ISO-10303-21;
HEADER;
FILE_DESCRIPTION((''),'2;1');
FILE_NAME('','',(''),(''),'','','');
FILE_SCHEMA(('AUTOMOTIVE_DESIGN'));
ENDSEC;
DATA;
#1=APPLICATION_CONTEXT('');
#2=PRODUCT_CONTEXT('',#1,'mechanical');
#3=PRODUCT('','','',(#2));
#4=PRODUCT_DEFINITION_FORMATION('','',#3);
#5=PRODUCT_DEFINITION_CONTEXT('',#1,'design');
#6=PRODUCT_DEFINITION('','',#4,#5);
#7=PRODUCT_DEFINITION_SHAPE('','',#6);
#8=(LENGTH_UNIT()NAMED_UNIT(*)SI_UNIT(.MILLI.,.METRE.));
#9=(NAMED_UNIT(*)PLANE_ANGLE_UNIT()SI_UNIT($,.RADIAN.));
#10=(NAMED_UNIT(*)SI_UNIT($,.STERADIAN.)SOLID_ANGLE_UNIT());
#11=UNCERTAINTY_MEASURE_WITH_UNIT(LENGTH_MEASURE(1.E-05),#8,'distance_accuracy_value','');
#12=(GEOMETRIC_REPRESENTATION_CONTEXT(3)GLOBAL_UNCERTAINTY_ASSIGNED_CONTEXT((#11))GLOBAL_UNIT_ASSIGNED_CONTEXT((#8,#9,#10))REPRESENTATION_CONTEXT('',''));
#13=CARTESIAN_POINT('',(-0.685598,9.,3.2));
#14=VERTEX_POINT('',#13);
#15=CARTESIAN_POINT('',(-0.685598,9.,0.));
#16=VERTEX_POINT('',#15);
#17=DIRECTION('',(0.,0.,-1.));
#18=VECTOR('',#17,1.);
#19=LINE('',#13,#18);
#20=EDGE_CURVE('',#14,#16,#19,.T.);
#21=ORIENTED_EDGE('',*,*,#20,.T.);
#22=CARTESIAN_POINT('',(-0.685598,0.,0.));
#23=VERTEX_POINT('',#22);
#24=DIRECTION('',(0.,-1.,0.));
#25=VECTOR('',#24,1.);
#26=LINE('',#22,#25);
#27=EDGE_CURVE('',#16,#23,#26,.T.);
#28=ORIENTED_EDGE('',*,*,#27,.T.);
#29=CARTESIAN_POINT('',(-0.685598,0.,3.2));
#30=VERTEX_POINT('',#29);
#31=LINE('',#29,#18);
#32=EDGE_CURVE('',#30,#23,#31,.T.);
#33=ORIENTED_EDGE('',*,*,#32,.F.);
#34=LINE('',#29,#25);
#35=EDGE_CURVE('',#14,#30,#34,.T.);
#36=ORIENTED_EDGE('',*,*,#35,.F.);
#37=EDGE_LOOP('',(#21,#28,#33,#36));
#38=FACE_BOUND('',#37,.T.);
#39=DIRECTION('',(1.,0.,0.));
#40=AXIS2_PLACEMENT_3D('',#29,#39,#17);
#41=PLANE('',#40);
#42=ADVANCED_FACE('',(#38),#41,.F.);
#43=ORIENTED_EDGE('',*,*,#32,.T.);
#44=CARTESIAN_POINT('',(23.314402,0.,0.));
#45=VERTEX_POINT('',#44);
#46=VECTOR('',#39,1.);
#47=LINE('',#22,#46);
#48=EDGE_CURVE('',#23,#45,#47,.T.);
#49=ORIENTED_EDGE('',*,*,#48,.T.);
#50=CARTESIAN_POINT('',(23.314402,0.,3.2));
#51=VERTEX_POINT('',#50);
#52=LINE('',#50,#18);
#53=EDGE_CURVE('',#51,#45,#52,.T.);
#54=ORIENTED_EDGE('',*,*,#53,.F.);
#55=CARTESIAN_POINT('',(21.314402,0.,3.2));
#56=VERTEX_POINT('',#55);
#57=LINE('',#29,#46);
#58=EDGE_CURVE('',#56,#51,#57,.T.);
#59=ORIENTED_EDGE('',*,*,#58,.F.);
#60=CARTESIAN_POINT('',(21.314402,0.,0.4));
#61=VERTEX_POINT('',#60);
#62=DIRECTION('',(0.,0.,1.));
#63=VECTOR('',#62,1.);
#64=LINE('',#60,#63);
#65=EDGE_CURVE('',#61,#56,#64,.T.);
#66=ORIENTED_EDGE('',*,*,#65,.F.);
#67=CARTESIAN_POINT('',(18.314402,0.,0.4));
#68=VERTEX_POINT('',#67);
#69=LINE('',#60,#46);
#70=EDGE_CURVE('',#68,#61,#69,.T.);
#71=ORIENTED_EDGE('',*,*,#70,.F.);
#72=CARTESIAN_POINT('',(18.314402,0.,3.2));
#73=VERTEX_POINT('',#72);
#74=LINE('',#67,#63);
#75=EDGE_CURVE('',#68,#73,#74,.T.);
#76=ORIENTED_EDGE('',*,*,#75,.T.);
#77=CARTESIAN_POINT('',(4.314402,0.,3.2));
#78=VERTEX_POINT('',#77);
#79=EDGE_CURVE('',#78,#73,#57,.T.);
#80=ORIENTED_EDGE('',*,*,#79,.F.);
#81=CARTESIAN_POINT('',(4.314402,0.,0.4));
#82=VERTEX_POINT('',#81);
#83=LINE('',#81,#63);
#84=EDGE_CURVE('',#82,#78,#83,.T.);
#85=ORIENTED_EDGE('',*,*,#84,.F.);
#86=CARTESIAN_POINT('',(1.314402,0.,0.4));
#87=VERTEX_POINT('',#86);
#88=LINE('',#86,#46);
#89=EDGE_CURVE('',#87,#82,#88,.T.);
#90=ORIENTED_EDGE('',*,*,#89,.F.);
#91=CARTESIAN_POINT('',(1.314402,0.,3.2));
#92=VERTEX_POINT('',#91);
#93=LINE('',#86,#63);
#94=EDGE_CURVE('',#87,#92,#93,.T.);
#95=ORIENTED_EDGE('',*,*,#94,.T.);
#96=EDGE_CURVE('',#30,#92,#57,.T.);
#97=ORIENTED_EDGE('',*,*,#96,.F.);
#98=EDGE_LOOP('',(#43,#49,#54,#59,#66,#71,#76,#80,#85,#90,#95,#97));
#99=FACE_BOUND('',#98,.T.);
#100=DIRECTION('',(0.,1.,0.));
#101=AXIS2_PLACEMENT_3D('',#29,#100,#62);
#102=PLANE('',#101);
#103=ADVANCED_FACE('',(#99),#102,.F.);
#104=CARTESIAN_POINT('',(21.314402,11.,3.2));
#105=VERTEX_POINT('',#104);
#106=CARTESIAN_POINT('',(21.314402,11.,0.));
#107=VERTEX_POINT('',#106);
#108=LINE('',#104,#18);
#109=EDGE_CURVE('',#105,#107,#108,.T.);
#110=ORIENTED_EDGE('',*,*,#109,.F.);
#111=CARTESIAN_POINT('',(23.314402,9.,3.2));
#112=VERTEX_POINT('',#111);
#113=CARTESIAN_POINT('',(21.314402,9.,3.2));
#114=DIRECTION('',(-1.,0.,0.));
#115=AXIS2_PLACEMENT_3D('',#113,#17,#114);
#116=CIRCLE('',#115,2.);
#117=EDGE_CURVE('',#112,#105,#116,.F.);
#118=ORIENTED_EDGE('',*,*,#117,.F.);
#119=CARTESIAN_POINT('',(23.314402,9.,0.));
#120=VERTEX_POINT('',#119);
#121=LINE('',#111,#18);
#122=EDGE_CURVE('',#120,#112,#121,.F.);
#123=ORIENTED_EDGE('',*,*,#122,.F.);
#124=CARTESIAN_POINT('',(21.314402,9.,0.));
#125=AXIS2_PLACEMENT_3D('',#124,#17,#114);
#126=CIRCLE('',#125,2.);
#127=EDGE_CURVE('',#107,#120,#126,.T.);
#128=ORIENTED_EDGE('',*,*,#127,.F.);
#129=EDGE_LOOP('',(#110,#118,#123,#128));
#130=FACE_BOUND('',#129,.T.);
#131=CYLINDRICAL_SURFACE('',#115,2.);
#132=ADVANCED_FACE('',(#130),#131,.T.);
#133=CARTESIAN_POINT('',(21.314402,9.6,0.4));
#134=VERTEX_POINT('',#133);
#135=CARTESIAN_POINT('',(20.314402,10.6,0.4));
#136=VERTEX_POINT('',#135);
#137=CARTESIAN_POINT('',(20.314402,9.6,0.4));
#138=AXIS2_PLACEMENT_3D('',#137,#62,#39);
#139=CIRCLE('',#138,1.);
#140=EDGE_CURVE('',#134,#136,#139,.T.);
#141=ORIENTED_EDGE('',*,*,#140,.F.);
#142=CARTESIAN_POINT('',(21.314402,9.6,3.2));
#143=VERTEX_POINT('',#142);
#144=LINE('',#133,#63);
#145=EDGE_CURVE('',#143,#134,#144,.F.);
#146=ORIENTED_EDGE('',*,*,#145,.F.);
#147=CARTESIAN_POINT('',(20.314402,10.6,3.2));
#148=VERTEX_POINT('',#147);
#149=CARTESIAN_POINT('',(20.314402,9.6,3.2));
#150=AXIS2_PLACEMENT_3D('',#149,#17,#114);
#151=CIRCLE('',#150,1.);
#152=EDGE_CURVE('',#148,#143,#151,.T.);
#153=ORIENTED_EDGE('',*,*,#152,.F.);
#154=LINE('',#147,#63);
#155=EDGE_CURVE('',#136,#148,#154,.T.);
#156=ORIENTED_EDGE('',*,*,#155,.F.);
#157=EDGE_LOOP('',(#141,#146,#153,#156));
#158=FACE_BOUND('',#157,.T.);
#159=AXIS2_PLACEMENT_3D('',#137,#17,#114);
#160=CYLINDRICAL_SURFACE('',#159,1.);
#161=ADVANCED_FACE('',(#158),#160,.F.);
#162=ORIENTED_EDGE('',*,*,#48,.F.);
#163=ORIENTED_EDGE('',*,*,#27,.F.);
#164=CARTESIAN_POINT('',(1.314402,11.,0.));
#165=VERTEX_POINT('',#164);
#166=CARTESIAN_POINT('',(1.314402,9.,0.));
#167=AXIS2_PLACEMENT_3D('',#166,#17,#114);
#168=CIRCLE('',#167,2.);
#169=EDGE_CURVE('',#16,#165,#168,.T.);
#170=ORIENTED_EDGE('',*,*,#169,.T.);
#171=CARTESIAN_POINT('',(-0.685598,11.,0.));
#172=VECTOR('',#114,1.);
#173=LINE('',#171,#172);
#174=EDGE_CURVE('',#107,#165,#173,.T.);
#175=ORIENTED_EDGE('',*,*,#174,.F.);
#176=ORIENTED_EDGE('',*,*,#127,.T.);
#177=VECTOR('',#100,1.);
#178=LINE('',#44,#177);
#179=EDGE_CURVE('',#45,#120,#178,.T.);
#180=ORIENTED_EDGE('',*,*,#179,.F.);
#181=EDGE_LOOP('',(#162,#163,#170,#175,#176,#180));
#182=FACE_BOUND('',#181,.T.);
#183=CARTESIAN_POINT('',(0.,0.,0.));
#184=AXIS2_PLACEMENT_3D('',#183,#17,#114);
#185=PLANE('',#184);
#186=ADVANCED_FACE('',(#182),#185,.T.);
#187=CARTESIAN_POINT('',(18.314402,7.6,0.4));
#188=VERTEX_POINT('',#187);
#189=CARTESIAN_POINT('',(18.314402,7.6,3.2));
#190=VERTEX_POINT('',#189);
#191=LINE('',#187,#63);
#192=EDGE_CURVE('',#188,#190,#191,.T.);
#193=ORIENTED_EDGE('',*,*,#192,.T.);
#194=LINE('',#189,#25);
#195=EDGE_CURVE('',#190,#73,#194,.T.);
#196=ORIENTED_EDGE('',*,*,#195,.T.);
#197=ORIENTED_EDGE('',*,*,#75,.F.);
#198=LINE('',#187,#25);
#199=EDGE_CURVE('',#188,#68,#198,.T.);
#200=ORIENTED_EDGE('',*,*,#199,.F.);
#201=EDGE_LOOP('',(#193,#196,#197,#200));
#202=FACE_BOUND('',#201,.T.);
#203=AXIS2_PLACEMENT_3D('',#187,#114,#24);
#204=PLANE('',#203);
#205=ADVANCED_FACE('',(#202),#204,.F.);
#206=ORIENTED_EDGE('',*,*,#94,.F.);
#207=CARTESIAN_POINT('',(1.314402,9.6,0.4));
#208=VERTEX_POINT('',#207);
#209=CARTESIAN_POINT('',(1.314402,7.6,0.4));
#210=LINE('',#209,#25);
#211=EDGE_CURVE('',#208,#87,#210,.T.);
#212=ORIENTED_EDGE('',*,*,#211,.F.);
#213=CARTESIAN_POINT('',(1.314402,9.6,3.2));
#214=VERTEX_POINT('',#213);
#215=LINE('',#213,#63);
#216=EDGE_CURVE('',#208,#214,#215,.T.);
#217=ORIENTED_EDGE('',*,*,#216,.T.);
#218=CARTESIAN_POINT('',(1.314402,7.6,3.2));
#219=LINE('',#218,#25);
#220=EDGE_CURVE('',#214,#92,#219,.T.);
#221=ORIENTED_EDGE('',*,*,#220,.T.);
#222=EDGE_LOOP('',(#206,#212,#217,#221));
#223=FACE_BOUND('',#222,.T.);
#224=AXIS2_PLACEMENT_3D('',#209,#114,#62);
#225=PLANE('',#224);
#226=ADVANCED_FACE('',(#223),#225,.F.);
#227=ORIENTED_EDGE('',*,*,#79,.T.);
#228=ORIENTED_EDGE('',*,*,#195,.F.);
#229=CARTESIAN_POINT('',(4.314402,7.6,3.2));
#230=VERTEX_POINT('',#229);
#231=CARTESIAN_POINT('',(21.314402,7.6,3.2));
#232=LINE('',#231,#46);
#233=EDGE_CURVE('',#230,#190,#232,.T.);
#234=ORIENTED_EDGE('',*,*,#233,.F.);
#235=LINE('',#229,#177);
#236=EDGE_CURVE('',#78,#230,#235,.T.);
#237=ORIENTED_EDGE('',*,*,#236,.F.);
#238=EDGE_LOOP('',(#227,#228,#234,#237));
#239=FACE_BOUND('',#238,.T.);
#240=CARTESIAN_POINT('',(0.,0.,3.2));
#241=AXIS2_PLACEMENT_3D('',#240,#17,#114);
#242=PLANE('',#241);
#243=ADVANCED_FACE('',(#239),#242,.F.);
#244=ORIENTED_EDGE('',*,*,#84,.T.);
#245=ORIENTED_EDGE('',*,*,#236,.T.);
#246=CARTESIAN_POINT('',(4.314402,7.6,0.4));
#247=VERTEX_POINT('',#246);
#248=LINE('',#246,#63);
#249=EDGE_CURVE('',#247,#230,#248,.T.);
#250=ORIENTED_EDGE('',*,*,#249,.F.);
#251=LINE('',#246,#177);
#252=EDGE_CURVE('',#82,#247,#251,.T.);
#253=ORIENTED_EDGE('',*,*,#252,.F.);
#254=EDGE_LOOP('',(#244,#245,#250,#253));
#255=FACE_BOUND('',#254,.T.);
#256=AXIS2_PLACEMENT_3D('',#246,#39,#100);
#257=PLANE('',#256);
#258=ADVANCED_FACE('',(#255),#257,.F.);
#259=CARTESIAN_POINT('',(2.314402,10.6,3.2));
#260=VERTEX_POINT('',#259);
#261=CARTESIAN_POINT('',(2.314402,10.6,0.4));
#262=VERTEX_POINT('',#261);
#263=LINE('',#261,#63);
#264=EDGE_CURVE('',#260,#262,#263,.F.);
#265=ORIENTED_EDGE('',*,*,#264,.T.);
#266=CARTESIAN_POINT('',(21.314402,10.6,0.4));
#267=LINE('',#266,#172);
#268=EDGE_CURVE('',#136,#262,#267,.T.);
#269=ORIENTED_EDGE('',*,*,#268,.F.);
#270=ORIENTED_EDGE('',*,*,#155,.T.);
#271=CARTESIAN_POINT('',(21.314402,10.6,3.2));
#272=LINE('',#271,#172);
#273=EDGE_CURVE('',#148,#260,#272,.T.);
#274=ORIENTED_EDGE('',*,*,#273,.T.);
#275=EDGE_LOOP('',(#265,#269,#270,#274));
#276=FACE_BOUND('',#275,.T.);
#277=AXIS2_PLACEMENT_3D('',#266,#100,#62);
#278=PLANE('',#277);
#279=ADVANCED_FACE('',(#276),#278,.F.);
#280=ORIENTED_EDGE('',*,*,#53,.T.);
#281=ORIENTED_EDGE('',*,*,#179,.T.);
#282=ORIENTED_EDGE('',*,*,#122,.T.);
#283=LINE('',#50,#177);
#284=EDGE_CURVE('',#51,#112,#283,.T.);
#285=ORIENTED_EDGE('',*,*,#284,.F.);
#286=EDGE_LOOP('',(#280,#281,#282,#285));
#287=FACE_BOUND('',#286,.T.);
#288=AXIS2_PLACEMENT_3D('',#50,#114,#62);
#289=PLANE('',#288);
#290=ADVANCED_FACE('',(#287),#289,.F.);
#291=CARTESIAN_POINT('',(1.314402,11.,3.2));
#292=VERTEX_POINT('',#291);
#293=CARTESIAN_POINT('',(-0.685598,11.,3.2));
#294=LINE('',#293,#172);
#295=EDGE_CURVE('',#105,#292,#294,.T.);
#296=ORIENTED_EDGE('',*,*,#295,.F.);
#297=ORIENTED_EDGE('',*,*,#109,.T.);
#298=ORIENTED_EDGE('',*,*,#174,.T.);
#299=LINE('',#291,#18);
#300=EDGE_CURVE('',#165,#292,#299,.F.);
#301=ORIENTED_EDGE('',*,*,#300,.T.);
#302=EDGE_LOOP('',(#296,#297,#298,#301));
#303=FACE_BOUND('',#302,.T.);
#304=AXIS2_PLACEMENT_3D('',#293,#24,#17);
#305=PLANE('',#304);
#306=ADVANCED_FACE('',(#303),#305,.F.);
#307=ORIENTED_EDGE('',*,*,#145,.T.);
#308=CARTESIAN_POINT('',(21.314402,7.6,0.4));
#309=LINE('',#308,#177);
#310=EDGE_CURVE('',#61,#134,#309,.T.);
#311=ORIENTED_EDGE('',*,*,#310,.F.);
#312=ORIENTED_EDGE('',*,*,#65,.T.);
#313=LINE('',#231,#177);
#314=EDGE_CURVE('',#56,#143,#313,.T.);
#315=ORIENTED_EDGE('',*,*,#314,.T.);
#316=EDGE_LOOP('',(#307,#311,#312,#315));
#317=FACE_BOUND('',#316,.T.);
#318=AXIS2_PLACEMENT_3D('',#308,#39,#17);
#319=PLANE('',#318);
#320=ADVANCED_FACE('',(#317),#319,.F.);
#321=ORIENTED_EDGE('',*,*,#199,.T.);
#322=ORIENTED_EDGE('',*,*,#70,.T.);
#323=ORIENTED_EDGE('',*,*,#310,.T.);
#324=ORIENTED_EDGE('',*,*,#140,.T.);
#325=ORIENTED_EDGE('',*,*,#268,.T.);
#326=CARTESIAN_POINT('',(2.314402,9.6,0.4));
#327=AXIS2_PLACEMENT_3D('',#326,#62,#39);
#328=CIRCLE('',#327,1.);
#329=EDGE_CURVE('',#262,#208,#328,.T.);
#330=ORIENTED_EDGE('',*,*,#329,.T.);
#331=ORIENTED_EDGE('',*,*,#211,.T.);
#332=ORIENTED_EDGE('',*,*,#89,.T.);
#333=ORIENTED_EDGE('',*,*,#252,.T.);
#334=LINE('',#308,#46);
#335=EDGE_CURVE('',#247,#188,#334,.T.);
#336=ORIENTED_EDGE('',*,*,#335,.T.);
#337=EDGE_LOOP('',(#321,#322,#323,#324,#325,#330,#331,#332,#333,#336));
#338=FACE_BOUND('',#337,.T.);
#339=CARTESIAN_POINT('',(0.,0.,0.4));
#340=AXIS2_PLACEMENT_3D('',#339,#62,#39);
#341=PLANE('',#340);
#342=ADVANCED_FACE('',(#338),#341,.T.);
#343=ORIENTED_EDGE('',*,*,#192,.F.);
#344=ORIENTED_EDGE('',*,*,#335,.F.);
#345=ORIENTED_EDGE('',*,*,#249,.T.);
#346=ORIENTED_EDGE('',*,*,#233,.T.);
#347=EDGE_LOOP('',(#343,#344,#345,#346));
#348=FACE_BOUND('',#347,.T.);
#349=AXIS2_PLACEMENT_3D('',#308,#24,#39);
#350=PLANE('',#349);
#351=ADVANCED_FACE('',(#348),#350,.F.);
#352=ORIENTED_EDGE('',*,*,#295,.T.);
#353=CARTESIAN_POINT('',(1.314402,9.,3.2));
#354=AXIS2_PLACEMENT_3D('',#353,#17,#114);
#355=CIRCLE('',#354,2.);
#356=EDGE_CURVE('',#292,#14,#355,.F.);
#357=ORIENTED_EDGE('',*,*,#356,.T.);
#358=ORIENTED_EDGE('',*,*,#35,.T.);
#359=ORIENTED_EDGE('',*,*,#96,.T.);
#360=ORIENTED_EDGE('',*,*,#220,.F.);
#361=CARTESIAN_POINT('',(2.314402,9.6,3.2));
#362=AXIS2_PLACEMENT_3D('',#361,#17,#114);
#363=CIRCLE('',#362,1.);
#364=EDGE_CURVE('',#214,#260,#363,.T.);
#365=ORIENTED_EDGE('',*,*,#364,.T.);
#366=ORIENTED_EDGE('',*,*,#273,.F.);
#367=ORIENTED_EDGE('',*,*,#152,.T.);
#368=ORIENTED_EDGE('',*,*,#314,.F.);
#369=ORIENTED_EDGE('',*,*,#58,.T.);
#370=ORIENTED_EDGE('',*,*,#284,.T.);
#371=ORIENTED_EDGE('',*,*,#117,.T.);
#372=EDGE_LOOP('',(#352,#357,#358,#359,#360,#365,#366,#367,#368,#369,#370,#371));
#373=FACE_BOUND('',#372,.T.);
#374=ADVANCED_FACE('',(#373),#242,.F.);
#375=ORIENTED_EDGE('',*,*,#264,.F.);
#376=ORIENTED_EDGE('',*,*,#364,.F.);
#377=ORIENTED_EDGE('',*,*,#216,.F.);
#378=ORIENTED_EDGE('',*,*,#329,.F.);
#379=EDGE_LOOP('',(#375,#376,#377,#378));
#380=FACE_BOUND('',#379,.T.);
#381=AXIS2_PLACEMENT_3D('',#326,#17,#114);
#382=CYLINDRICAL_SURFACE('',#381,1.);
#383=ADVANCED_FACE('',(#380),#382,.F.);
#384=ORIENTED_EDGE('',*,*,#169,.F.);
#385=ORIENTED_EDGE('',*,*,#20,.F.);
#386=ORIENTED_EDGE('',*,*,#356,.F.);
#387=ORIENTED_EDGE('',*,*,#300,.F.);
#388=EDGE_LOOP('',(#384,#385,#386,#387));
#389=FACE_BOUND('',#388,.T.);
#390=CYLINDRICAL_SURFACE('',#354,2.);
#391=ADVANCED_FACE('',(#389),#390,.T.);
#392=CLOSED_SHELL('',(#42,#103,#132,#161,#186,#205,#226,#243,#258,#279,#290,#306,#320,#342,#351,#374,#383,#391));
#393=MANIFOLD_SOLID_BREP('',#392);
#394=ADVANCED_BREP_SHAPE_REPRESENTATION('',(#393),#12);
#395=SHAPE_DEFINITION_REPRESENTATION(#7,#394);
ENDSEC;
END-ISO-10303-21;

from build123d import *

# Parameters (mm, degrees)
SKETCH_1_W          = 24
SKETCH_1_H          = 11
EXTRUDE_1_DEPTH     = 3.2
SKETCH_2_W          = 20
SKETCH_2_H          = 3
CUT_EXTRUDE_1_DEPTH = 2.8
SKETCH_3_W          = 3
SKETCH_3_H          = 7.6
CUT_EXTRUDE_2_DEPTH = 2.8
FILLET_1_R          = 2
FILLET_2_R          = 1


with BuildPart() as part:
    # ｽｹｯﾁ1 → ﾎﾞｽ - 押し出し1 (new body)
    with BuildSketch(Plane.XY):
        with Locations((11.314402496, 5.5)):
            Rectangle(SKETCH_1_W, SKETCH_1_H)
    extrude(amount=EXTRUDE_1_DEPTH)

    # ｽｹｯﾁ2 → ｶｯﾄ - 押し出し1 (cut)
    with BuildSketch(Plane.XY.offset(3.2)):
        with Locations((11.314402496, 9.1)):
            Rectangle(SKETCH_2_W, SKETCH_2_H)
    extrude(amount=-CUT_EXTRUDE_1_DEPTH, mode=Mode.SUBTRACT)

    # ｽｹｯﾁ3 → ｶｯﾄ - 押し出し2 (cut)
    with BuildSketch(Plane.XY.offset(3.2)):
        with Locations((19.814402496, 3.8)):
            Rectangle(SKETCH_3_W, SKETCH_3_H)
        with Locations((2.814402496, 3.8)):
            Rectangle(SKETCH_3_W, SKETCH_3_H)
    extrude(amount=-CUT_EXTRUDE_2_DEPTH, mode=Mode.SUBTRACT)

    # ﾌｨﾚｯﾄ1
    fillet_1_edges = [part.edges().sort_by_distance(p)[0] for p in [
        (-0.685597504, 11, 1.6),
        (23.314402496, 11, 1.6),
    ]]
    fillet(fillet_1_edges, radius=FILLET_1_R)

    # ﾌｨﾚｯﾄ2
    fillet_2_edges = [part.edges().sort_by_distance(p)[0] for p in [
        (1.314402496, 10.6, 1.8),
        (21.314402496, 10.6, 1.8),
    ]]
    fillet(fillet_2_edges, radius=FILLET_2_R)


solid = part.part
